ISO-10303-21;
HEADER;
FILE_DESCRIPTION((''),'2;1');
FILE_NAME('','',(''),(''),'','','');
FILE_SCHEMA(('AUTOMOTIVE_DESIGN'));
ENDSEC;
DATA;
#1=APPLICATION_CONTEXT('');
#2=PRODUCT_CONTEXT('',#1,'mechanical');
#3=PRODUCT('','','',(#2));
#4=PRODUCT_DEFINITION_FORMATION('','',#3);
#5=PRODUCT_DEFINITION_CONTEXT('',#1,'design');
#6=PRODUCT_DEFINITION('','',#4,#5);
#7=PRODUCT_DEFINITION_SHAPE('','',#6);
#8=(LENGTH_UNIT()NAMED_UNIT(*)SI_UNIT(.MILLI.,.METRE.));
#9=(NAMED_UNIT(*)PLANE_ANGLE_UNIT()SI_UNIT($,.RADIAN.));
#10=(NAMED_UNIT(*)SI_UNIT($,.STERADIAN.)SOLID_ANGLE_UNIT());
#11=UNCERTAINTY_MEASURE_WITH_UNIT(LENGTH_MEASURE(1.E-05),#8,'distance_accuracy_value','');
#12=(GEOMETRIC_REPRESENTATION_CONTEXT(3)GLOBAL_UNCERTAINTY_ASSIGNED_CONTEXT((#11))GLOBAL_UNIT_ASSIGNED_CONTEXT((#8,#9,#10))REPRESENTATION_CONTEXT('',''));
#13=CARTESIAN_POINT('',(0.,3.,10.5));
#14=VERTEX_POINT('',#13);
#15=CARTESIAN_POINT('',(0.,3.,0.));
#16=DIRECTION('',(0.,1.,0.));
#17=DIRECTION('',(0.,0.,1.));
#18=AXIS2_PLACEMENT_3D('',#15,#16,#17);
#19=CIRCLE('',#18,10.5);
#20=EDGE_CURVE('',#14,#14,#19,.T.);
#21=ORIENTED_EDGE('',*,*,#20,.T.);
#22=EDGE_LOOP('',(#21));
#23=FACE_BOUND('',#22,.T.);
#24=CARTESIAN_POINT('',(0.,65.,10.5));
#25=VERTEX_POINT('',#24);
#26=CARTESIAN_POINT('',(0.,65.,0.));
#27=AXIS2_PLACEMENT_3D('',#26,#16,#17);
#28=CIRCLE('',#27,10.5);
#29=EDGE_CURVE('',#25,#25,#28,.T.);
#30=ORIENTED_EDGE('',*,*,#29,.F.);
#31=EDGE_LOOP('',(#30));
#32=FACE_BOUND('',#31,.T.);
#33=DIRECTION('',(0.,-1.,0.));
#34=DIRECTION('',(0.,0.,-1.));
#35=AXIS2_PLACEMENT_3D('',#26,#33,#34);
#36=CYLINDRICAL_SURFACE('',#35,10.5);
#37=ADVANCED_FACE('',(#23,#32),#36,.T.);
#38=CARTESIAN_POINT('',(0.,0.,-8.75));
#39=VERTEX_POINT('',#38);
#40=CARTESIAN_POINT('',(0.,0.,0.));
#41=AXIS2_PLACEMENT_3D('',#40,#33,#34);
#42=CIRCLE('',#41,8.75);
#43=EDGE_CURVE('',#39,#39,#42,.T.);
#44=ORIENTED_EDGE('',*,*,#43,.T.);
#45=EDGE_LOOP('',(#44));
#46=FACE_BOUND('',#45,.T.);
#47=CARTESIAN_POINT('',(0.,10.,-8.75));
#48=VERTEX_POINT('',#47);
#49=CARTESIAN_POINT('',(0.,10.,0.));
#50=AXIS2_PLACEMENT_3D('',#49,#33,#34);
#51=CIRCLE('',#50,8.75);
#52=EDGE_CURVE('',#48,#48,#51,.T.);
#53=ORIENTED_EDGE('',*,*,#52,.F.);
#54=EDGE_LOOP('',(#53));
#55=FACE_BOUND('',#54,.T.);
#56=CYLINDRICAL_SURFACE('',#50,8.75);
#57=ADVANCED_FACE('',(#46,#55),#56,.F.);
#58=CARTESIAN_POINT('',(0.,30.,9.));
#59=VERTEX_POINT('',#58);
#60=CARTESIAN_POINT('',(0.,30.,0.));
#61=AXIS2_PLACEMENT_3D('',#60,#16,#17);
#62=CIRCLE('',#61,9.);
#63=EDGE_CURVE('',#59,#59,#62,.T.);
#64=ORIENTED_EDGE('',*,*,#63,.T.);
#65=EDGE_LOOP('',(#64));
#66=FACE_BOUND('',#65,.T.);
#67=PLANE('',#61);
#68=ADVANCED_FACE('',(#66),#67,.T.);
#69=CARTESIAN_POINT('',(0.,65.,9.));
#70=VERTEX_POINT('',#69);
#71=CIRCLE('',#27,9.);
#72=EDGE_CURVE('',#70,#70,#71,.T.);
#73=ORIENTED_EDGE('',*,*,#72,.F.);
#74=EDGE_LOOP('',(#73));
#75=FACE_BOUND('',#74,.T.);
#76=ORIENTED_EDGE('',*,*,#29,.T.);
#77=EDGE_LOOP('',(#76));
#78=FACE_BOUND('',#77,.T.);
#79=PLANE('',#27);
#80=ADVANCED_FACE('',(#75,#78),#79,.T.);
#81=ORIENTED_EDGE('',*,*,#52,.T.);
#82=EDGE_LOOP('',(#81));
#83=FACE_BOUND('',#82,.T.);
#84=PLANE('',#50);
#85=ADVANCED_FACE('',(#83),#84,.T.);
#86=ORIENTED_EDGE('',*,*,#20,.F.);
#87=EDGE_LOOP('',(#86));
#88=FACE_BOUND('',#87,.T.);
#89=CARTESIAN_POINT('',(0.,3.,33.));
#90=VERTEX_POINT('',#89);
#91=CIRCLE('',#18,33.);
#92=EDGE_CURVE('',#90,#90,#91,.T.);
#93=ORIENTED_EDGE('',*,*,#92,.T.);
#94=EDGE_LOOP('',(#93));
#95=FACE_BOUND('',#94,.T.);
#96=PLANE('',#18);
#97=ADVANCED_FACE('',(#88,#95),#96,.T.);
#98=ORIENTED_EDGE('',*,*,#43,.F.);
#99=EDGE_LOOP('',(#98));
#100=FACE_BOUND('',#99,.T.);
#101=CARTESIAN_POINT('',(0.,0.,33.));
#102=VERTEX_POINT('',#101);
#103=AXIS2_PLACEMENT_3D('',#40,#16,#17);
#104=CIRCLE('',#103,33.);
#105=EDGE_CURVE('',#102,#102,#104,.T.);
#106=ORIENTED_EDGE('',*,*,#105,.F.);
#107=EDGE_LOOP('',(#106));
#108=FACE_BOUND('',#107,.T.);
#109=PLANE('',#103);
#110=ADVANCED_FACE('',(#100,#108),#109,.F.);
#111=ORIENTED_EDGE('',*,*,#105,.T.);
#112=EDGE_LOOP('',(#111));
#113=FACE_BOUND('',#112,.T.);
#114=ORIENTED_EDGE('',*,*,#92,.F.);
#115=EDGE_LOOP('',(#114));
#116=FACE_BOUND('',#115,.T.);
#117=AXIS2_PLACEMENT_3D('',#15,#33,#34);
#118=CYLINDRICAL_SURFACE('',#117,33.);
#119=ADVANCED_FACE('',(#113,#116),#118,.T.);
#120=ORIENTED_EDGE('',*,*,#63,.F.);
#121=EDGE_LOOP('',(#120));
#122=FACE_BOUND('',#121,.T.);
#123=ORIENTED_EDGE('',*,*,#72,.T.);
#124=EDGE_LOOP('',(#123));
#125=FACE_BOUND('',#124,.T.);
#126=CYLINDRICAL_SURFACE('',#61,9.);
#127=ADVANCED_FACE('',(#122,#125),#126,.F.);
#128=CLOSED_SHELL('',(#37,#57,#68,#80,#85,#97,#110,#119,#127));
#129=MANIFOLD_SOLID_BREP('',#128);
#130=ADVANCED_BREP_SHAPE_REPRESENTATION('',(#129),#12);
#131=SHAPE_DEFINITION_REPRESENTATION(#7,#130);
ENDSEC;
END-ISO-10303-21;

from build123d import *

# Parameters (mm, degrees)
CROQUIS1_R              = 33
SALIENTE_EXTRUIR1_DEPTH = 3
CROQUIS2_R              = 10.5
SALIENTE_EXTRUIR2_DEPTH = 62
CROQUIS5_R              = 8.75
CORTAR_EXTRUIR5_DEPTH   = 10
CROQUIS7_R              = 9
CORTAR_EXTRUIR6_DEPTH   = 35


with BuildPart() as part:
    # Croquis1 → Saliente-Extruir1 (new body)
    with BuildSketch(Plane(origin=(0, 0, 0), x_dir=(1, 0, 0), z_dir=(0, 1, 0))):
        with Locations(Location((0, 0, 0), (0, 0, 270))):
            Circle(CROQUIS1_R)
    extrude(amount=SALIENTE_EXTRUIR1_DEPTH)

    # Croquis2 → Saliente-Extruir2 (add)
    with BuildSketch(Plane(origin=(0, 3, 0), x_dir=(1, 0, 0), z_dir=(0, 1, 0))):
        with Locations(Location((0, 0, 0), (0, 0, 270))):
            Circle(CROQUIS2_R)
    extrude(amount=SALIENTE_EXTRUIR2_DEPTH)

    # Croquis5 → Cortar-Extruir5 (cut)
    with BuildSketch(Plane.XZ):
        with Locations(Location((0, 0, 0), (0, 0, 270))):
            Circle(CROQUIS5_R)
    extrude(amount=-CORTAR_EXTRUIR5_DEPTH, mode=Mode.SUBTRACT)

    # Croquis7 → Cortar-Extruir6 (cut)
    with BuildSketch(Plane(origin=(0, 65, 0), x_dir=(1, 0, 0), z_dir=(0, 1, 0))):
        with Locations(Location((0, 0, 0), (0, 0, 270))):
            Circle(CROQUIS7_R)
    extrude(amount=-CORTAR_EXTRUIR6_DEPTH, mode=Mode.SUBTRACT)


solid = part.part
